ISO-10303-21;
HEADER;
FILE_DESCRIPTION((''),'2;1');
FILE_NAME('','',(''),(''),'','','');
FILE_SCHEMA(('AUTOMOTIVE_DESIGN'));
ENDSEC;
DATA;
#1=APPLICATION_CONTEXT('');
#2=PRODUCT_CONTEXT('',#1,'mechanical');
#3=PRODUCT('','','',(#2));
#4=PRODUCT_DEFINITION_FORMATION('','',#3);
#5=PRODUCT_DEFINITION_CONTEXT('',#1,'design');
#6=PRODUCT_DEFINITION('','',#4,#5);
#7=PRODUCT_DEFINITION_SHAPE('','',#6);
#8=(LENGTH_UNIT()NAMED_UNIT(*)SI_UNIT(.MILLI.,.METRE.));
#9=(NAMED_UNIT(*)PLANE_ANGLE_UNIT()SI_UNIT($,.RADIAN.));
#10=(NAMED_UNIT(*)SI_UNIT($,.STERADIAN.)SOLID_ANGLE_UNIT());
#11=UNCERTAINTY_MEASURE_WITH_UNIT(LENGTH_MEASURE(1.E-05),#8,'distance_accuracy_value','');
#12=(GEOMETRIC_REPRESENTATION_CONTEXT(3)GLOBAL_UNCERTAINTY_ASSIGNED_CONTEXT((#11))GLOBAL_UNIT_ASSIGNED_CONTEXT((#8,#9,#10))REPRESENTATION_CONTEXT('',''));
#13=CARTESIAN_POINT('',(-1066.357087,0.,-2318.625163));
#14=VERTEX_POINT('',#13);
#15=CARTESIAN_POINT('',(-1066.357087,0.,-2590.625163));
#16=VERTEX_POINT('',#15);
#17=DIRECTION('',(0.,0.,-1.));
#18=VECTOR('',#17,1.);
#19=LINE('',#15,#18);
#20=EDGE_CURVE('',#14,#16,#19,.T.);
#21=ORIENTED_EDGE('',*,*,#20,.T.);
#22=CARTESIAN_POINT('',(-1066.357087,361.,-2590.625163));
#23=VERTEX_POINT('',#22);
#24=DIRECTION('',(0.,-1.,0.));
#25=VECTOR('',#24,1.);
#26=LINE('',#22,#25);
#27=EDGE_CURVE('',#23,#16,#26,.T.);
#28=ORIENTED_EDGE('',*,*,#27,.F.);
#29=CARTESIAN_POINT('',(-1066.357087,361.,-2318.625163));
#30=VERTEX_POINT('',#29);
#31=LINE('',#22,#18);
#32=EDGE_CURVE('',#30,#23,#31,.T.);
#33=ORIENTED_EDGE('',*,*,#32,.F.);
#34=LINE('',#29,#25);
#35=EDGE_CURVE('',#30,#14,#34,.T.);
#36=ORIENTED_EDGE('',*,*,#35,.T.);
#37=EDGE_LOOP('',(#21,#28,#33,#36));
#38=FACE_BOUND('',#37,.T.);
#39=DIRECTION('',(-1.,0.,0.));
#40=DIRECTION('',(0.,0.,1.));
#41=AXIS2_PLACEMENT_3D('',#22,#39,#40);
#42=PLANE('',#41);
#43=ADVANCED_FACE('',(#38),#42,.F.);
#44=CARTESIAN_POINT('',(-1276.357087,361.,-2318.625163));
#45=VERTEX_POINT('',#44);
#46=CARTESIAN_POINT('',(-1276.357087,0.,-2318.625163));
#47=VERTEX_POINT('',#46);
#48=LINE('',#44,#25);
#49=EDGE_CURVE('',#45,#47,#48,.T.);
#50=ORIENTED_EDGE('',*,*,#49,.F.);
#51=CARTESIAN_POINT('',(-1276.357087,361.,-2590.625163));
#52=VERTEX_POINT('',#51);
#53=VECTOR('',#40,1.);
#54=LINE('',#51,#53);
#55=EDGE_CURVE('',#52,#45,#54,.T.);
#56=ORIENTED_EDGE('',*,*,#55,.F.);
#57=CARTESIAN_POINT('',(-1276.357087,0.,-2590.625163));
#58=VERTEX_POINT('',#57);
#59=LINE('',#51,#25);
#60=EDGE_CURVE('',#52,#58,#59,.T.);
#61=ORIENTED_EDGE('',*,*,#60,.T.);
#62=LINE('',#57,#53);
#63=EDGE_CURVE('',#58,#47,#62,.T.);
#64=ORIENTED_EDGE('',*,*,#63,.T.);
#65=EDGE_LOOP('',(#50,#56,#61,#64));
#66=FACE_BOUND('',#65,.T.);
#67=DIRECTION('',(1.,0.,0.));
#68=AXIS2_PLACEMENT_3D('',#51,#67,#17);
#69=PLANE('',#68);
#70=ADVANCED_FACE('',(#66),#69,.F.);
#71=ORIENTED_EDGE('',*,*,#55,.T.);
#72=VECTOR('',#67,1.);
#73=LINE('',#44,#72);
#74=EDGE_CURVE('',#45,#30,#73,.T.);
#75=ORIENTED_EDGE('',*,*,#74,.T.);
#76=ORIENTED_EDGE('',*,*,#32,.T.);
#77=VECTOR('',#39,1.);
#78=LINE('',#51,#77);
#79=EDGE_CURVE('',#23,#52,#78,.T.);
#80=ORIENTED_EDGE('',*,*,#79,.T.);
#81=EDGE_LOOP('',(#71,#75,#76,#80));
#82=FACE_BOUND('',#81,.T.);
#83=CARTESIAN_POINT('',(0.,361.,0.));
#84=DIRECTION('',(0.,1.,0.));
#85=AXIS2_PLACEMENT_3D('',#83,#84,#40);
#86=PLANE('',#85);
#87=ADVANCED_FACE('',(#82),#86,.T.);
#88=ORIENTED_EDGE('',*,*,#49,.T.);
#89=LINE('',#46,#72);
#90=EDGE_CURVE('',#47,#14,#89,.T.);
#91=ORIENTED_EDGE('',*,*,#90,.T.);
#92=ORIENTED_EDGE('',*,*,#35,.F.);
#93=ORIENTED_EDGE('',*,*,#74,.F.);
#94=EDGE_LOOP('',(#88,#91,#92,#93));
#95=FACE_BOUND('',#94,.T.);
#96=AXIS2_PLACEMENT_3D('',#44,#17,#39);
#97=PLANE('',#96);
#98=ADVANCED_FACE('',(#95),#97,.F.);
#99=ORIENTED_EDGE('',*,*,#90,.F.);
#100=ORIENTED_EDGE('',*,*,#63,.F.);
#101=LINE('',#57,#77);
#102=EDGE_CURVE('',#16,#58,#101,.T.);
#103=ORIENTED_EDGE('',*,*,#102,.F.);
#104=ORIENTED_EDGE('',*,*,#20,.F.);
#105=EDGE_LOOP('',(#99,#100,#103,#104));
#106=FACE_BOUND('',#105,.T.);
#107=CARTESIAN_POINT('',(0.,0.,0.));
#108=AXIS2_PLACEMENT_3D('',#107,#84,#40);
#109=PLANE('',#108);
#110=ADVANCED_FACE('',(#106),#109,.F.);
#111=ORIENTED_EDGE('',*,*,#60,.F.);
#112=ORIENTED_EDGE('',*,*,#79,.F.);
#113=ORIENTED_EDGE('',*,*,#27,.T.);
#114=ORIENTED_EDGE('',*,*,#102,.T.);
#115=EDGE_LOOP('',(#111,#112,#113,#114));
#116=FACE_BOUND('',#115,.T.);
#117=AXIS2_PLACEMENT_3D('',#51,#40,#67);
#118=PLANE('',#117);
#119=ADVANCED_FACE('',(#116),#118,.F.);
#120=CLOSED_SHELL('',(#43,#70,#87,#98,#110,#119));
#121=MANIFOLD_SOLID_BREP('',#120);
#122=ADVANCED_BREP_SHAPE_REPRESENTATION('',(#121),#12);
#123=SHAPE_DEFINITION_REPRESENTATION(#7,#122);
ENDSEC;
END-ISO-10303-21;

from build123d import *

# Parameters (mm, degrees)
SKETCH_1_W      = 210
SKETCH_1_H      = 272
EXTRUDE_1_DEPTH = 361


with BuildPart() as part:
    # Эскиз1 → Бобышка-Вытянуть1 (new body)
    with BuildSketch(Plane(origin=(0, 0, 0), x_dir=(1, 0, 0), z_dir=(0, 1, 0))):
        with Locations((-1171.357087425, 2454.625162548)):
            Rectangle(SKETCH_1_W, SKETCH_1_H)
    extrude(amount=EXTRUDE_1_DEPTH)


solid = part.part
